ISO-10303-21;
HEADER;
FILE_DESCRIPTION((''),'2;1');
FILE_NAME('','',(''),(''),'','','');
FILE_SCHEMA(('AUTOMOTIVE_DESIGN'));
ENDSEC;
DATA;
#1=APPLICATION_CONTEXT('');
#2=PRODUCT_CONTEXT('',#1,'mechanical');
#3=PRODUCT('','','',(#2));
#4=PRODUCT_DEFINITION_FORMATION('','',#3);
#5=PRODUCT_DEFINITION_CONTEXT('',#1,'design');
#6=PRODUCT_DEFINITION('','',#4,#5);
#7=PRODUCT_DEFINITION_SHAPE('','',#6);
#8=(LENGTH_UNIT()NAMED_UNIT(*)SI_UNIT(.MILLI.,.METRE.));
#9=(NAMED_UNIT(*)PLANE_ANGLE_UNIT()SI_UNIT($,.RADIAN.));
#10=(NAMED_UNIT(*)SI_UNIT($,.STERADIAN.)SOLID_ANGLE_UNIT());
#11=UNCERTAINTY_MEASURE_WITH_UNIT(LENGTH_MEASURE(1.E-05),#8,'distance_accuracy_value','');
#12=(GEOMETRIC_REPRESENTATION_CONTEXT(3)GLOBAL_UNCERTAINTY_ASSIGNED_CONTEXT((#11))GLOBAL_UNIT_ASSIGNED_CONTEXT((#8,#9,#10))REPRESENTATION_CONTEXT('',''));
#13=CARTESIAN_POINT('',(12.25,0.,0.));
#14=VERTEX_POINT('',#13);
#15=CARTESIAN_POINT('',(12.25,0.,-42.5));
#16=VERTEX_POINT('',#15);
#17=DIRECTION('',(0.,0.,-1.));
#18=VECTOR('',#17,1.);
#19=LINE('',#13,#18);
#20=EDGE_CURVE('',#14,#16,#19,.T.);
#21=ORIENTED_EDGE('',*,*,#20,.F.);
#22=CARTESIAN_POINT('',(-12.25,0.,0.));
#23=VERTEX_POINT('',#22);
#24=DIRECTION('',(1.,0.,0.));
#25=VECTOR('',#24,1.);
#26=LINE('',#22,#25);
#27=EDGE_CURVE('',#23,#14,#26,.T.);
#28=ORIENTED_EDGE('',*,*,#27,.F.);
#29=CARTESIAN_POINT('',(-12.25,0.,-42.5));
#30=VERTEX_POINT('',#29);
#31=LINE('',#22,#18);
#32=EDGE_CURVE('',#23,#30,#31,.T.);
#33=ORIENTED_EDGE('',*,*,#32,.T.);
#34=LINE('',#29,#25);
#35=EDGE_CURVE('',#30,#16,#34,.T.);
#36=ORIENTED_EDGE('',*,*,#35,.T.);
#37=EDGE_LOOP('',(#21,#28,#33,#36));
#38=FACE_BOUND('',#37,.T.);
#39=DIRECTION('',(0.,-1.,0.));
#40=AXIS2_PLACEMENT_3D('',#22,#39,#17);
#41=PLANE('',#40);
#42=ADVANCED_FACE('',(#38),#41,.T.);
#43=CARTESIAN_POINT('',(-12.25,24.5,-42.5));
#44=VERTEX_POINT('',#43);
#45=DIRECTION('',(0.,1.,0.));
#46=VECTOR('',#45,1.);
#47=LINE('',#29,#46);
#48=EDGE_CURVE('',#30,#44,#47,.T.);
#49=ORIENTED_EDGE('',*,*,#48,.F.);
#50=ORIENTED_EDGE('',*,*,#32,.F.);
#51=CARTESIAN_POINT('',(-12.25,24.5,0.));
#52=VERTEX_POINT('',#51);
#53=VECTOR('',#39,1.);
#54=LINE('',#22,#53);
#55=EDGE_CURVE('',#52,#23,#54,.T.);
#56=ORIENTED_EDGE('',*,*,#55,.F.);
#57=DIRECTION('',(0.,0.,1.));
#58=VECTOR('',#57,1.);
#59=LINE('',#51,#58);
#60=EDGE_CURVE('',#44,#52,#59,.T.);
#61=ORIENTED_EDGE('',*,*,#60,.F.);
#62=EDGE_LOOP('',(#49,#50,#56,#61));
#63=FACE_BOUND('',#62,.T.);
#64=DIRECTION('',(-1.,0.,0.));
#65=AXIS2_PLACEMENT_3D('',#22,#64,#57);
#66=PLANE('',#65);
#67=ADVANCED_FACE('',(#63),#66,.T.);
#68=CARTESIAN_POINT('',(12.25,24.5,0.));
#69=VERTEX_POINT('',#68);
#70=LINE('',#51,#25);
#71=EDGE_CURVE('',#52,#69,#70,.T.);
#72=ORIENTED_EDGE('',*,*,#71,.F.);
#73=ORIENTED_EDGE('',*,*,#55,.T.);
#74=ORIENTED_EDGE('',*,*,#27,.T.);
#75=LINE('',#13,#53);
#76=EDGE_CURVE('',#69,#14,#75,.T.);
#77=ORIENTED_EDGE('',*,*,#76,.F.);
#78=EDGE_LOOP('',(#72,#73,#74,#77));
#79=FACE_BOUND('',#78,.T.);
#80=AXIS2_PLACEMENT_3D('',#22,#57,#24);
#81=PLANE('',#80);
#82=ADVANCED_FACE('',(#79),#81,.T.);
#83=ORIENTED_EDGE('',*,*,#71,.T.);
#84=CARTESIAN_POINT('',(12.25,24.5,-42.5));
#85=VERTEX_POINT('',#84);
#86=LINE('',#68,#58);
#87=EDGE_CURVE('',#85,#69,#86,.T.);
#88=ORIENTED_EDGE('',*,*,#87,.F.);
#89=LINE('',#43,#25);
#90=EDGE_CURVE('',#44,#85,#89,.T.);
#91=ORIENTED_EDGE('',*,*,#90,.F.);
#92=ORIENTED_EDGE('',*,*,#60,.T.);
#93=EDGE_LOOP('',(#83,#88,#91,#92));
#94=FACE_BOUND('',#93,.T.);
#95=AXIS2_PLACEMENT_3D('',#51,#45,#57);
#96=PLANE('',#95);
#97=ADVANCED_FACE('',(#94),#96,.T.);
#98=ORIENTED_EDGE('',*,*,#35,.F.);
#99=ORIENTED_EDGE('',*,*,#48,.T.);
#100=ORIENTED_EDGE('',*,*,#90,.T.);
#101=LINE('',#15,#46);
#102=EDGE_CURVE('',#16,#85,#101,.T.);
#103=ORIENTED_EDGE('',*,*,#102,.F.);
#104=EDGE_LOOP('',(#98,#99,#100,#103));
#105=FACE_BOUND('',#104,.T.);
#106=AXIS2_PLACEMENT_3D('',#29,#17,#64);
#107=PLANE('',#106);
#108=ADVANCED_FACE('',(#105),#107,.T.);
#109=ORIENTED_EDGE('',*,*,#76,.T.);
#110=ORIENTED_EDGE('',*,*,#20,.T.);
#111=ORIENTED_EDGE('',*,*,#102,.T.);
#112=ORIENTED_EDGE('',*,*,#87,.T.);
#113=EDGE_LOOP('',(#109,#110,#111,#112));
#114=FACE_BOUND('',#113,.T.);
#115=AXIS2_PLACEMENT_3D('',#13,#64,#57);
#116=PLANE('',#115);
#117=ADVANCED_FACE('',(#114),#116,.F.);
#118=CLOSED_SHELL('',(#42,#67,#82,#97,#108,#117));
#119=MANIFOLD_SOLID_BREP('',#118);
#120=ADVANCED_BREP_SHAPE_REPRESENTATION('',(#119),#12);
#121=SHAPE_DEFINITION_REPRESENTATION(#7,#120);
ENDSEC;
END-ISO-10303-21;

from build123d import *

# Parameters (mm, degrees)
BOSS_EXTRUDE1_DEPTH      = 12.25
BOSS_EXTRUDE1_DEPTH_BACK = 12.25
SKETCH2_W                = 42.5
SKETCH2_H                = 24.5


with BuildPart() as part:
    # Sketch2 → Boss-Extrude1 (new, two sides: drawn at the far end of the back side and taken through both)
    with BuildSketch(Plane(origin=(0, 0, 0), x_dir=(0, 0, -1), z_dir=(1, 0, 0)).offset(-BOSS_EXTRUDE1_DEPTH_BACK)):
        with Locations((21.25, 12.25)):
            Rectangle(SKETCH2_W, SKETCH2_H)
    extrude(amount=BOSS_EXTRUDE1_DEPTH + BOSS_EXTRUDE1_DEPTH_BACK)


solid = part.part
